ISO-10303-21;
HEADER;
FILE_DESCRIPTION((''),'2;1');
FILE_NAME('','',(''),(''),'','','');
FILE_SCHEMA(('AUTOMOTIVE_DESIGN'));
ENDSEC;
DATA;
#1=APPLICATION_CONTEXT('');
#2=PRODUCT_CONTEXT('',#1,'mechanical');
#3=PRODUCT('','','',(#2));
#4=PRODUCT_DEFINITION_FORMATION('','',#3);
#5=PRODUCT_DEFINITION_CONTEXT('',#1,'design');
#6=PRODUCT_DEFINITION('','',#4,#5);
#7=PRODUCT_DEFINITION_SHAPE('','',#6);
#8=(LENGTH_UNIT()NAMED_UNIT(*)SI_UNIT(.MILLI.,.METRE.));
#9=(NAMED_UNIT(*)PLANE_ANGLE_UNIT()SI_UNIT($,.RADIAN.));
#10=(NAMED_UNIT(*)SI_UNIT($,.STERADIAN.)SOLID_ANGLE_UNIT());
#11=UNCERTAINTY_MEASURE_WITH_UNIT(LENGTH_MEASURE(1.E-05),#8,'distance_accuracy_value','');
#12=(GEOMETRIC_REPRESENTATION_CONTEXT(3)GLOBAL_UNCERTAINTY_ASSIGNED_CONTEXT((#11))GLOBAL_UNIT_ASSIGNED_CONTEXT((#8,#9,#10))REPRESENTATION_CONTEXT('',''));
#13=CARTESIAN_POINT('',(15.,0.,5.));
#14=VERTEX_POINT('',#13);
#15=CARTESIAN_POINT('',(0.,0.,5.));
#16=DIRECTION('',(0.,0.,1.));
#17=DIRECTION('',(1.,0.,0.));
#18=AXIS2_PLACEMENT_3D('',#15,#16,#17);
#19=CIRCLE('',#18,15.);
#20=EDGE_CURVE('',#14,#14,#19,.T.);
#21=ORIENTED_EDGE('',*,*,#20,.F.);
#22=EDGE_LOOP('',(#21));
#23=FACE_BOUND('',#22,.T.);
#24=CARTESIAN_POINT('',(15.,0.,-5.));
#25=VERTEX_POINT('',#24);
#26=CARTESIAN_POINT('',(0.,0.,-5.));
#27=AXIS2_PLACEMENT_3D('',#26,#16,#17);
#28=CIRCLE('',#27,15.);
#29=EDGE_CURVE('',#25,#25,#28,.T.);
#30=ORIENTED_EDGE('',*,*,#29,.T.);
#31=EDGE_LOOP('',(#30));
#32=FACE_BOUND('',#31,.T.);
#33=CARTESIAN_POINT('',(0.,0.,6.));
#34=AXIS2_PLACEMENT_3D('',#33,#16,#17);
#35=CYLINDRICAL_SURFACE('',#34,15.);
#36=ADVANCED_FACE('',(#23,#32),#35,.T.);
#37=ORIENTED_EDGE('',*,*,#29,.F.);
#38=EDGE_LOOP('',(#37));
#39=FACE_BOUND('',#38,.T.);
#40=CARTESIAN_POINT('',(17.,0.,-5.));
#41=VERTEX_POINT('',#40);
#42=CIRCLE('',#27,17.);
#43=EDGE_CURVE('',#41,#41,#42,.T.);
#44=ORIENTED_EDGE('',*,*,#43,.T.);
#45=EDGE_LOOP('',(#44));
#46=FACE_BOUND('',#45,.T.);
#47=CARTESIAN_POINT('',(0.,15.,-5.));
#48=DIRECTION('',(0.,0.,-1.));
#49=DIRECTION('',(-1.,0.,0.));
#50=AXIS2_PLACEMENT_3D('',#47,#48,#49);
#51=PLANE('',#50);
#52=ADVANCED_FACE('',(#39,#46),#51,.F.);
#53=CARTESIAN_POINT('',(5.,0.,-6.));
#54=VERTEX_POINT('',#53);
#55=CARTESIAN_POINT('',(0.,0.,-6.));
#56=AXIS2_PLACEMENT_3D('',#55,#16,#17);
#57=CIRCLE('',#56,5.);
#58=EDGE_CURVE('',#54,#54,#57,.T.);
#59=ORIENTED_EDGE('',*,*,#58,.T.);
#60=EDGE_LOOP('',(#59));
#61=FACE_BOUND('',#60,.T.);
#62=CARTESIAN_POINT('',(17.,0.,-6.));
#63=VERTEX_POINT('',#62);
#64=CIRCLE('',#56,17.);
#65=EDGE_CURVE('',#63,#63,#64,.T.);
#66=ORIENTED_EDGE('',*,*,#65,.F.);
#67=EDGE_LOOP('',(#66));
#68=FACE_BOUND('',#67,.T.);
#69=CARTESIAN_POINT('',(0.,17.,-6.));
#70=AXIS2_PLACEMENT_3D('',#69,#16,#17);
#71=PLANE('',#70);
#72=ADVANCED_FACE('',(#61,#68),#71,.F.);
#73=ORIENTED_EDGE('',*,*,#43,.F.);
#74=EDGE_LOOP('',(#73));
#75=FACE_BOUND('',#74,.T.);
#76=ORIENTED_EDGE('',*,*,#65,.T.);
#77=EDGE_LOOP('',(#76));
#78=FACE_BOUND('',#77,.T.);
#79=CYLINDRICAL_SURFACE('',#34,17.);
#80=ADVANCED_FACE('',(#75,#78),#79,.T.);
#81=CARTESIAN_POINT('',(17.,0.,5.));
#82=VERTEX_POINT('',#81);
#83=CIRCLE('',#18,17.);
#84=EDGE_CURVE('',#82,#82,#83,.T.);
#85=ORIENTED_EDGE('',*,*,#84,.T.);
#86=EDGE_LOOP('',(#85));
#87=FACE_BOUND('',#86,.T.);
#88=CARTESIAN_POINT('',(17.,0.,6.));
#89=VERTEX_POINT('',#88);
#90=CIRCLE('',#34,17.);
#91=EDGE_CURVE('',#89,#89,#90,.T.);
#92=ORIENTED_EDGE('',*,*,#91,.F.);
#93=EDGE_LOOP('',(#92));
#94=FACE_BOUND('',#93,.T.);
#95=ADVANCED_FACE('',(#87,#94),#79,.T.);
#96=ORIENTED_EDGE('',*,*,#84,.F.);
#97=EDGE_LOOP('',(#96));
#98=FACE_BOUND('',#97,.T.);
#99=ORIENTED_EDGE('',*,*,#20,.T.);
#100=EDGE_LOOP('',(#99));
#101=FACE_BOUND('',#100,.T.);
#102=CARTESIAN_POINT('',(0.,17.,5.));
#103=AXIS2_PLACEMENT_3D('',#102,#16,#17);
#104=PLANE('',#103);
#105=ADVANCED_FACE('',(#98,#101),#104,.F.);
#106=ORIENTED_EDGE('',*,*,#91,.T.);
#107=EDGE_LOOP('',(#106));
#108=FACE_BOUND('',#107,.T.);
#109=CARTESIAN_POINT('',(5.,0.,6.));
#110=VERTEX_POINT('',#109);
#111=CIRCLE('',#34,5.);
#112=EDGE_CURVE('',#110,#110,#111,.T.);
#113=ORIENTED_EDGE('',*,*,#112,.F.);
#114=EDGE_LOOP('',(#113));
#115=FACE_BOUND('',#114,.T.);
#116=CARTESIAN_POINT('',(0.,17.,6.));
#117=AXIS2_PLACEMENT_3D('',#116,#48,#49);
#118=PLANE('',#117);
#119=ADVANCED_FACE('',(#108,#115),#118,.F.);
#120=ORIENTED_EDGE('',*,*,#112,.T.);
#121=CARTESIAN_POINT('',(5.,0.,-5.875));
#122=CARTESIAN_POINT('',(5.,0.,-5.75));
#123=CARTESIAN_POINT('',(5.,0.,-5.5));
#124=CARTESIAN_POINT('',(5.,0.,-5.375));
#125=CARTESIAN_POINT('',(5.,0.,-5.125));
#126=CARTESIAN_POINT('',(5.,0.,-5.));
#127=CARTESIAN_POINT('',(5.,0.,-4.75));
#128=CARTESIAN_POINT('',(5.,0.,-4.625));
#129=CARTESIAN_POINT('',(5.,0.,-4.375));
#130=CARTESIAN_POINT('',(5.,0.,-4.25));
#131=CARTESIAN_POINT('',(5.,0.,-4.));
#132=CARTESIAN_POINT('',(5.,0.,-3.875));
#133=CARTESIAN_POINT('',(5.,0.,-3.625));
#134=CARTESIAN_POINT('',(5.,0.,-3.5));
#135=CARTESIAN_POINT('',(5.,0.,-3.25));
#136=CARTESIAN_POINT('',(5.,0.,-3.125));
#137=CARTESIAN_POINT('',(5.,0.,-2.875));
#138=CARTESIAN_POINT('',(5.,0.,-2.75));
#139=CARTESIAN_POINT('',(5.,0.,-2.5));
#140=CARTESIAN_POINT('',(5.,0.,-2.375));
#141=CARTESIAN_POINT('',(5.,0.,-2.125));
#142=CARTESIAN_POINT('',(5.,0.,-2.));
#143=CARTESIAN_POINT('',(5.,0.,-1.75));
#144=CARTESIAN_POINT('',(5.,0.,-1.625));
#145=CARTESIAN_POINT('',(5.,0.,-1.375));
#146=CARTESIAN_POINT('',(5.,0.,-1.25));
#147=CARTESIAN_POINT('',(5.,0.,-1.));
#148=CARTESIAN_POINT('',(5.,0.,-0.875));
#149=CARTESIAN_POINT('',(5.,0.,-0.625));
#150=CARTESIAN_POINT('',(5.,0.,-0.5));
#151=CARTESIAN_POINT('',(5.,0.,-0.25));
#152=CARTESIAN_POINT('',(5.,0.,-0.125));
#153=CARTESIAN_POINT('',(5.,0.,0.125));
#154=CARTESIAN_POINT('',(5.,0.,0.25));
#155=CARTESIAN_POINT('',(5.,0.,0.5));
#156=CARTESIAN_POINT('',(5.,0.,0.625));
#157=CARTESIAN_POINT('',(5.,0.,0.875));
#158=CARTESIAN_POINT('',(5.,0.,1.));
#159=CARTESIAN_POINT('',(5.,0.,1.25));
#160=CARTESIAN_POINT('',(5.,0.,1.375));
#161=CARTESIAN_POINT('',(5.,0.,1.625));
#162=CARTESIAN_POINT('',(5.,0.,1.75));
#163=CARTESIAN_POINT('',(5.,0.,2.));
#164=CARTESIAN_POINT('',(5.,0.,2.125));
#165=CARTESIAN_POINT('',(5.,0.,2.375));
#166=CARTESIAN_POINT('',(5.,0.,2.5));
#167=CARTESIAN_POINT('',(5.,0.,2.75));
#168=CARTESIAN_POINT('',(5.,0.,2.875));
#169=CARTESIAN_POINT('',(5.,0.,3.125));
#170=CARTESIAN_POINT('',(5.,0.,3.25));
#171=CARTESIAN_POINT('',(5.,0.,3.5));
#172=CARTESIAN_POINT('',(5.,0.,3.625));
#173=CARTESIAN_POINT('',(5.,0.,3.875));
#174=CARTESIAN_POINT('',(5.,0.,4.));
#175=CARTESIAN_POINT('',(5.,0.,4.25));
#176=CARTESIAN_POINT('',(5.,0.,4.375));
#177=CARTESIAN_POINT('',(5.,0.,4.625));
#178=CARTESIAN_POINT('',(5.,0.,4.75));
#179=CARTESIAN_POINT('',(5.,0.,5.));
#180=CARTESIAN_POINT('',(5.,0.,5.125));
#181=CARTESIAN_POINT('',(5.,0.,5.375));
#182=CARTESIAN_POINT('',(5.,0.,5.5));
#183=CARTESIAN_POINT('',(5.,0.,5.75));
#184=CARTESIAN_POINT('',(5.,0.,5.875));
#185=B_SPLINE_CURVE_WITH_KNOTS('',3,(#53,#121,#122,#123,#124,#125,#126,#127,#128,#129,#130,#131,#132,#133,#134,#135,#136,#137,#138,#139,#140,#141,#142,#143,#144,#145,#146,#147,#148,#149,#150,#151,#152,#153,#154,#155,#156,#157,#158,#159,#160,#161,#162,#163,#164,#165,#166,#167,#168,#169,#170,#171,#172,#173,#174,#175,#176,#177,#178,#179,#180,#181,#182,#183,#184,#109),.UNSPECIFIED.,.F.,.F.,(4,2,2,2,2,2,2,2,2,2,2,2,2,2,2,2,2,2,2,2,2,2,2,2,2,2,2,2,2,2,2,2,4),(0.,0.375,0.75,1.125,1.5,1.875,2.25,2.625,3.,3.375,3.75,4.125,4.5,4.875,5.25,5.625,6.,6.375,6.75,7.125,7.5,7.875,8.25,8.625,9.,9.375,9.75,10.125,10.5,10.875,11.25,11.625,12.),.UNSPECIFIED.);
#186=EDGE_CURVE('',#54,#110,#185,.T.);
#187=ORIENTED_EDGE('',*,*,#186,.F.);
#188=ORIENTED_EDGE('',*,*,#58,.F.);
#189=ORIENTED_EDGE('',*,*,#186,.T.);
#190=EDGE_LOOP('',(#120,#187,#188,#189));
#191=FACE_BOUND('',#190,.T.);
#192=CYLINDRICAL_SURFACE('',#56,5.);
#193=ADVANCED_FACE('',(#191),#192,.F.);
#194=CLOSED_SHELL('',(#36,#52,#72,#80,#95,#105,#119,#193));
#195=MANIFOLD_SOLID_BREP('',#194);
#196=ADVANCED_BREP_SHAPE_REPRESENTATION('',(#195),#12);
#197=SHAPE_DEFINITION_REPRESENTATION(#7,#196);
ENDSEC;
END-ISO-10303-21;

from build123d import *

# Parameters (mm, degrees)
CUT_EXTRUDE1_DEPTH      = 25.779023387
CUT_EXTRUDE1_DEPTH_BACK = 25.779023387
SKETCH3_R               = 5


with BuildPart() as part:
    # Sketch1 → Revolve1 (revolve)
    with BuildSketch(Plane(origin=(0, 0, 0), x_dir=(0, 0, -1), z_dir=(1, 0, 0)), mode=Mode.PRIVATE) as revolve1_sk:
        Polygon((-5, 17), (-5, 15), (5, 15), (5, 17), (6, 17), (6, 0), (-6, 0), (-6, 17), align=None)
    revolve(revolve1_sk.sketch.rotate(Axis((0, 0, 6), (0, 0, -1)), 90), axis=Axis((0, 0, 6), (0, 0, -1)))

    # Sketch3 → Cut-Extrude1 (cut, two sides: drawn at the far end of the back side and taken through both)
    with BuildSketch(Plane.XY.offset(-CUT_EXTRUDE1_DEPTH_BACK)):
        Circle(SKETCH3_R)
    extrude(amount=CUT_EXTRUDE1_DEPTH + CUT_EXTRUDE1_DEPTH_BACK, mode=Mode.SUBTRACT)


solid = part.part
